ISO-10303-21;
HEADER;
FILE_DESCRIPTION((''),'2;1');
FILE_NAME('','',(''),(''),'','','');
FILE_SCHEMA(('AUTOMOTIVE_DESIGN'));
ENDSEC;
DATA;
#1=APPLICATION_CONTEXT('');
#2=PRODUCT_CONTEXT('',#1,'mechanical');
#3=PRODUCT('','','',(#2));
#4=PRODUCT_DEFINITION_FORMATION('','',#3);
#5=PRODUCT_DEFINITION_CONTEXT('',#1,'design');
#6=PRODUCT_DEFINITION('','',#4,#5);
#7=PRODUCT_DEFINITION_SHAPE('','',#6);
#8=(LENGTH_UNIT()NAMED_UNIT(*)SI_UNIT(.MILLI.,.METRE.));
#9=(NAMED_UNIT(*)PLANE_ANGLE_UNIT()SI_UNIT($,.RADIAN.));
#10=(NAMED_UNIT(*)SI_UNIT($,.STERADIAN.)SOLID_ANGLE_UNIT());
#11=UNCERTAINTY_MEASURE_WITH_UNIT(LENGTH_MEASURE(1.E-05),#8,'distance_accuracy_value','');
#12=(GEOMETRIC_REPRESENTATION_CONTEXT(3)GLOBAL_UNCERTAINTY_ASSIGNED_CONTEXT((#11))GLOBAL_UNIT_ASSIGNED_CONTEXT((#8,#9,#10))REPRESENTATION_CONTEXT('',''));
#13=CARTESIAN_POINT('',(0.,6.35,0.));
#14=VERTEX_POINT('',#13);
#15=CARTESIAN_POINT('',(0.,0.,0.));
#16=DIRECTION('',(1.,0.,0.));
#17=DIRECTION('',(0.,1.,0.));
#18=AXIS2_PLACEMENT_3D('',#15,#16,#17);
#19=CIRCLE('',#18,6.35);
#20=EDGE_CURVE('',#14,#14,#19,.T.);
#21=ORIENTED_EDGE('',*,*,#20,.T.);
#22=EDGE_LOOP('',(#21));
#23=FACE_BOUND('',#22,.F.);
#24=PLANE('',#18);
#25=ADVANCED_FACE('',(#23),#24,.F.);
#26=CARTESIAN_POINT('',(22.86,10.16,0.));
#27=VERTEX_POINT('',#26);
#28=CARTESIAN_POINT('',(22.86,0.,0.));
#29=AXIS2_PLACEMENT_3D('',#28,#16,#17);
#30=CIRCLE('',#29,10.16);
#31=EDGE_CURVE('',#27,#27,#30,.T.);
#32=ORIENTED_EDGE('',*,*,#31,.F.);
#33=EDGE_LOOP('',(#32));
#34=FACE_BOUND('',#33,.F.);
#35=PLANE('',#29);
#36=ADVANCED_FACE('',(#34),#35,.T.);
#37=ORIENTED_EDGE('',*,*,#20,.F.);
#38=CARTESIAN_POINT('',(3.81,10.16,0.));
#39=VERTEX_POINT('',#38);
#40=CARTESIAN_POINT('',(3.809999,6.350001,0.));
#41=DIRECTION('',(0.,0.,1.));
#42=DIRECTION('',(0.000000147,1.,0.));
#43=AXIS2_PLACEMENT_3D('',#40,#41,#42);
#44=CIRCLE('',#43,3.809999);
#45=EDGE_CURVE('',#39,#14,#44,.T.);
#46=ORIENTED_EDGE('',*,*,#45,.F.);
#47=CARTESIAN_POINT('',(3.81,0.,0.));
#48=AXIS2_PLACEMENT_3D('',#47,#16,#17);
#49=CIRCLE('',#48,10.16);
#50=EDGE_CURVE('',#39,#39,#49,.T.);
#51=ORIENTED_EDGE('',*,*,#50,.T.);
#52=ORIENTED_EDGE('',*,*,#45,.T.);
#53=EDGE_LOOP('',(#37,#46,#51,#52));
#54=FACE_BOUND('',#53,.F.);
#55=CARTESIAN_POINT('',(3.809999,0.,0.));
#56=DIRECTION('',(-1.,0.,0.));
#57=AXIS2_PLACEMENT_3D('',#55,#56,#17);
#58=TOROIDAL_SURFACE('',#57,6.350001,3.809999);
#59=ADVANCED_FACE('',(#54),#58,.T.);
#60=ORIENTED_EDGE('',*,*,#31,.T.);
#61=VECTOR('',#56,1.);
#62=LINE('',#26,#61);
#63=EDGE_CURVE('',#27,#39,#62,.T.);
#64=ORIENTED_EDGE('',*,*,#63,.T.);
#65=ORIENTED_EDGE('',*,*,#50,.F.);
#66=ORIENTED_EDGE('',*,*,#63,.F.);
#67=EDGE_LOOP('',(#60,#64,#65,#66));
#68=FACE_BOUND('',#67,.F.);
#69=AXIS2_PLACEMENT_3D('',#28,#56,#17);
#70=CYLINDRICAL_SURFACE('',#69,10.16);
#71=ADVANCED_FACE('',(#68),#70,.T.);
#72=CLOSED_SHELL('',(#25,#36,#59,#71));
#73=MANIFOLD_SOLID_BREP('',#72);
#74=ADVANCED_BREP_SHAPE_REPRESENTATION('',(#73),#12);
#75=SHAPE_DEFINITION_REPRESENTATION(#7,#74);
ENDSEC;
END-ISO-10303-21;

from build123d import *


with BuildPart() as f1:
    # F0 (on Top) → F1 (revolve)
    with BuildSketch(Plane.XY):
        with BuildLine():
            Line((0, 6.35), (0, 0))
            Line((0, 0), (22.86, 0))
            Line((22.86, 0), (22.86, 10.16))
            Line((22.86, 10.16), (3.81, 10.16))
            ThreePointArc((3.81, 10.16), (1.115923, 9.044077), (0, 6.35))
        make_face()
    revolve(axis=Axis((11.43, 0, 0), (1, 0, 0)))


solid = f1.part
